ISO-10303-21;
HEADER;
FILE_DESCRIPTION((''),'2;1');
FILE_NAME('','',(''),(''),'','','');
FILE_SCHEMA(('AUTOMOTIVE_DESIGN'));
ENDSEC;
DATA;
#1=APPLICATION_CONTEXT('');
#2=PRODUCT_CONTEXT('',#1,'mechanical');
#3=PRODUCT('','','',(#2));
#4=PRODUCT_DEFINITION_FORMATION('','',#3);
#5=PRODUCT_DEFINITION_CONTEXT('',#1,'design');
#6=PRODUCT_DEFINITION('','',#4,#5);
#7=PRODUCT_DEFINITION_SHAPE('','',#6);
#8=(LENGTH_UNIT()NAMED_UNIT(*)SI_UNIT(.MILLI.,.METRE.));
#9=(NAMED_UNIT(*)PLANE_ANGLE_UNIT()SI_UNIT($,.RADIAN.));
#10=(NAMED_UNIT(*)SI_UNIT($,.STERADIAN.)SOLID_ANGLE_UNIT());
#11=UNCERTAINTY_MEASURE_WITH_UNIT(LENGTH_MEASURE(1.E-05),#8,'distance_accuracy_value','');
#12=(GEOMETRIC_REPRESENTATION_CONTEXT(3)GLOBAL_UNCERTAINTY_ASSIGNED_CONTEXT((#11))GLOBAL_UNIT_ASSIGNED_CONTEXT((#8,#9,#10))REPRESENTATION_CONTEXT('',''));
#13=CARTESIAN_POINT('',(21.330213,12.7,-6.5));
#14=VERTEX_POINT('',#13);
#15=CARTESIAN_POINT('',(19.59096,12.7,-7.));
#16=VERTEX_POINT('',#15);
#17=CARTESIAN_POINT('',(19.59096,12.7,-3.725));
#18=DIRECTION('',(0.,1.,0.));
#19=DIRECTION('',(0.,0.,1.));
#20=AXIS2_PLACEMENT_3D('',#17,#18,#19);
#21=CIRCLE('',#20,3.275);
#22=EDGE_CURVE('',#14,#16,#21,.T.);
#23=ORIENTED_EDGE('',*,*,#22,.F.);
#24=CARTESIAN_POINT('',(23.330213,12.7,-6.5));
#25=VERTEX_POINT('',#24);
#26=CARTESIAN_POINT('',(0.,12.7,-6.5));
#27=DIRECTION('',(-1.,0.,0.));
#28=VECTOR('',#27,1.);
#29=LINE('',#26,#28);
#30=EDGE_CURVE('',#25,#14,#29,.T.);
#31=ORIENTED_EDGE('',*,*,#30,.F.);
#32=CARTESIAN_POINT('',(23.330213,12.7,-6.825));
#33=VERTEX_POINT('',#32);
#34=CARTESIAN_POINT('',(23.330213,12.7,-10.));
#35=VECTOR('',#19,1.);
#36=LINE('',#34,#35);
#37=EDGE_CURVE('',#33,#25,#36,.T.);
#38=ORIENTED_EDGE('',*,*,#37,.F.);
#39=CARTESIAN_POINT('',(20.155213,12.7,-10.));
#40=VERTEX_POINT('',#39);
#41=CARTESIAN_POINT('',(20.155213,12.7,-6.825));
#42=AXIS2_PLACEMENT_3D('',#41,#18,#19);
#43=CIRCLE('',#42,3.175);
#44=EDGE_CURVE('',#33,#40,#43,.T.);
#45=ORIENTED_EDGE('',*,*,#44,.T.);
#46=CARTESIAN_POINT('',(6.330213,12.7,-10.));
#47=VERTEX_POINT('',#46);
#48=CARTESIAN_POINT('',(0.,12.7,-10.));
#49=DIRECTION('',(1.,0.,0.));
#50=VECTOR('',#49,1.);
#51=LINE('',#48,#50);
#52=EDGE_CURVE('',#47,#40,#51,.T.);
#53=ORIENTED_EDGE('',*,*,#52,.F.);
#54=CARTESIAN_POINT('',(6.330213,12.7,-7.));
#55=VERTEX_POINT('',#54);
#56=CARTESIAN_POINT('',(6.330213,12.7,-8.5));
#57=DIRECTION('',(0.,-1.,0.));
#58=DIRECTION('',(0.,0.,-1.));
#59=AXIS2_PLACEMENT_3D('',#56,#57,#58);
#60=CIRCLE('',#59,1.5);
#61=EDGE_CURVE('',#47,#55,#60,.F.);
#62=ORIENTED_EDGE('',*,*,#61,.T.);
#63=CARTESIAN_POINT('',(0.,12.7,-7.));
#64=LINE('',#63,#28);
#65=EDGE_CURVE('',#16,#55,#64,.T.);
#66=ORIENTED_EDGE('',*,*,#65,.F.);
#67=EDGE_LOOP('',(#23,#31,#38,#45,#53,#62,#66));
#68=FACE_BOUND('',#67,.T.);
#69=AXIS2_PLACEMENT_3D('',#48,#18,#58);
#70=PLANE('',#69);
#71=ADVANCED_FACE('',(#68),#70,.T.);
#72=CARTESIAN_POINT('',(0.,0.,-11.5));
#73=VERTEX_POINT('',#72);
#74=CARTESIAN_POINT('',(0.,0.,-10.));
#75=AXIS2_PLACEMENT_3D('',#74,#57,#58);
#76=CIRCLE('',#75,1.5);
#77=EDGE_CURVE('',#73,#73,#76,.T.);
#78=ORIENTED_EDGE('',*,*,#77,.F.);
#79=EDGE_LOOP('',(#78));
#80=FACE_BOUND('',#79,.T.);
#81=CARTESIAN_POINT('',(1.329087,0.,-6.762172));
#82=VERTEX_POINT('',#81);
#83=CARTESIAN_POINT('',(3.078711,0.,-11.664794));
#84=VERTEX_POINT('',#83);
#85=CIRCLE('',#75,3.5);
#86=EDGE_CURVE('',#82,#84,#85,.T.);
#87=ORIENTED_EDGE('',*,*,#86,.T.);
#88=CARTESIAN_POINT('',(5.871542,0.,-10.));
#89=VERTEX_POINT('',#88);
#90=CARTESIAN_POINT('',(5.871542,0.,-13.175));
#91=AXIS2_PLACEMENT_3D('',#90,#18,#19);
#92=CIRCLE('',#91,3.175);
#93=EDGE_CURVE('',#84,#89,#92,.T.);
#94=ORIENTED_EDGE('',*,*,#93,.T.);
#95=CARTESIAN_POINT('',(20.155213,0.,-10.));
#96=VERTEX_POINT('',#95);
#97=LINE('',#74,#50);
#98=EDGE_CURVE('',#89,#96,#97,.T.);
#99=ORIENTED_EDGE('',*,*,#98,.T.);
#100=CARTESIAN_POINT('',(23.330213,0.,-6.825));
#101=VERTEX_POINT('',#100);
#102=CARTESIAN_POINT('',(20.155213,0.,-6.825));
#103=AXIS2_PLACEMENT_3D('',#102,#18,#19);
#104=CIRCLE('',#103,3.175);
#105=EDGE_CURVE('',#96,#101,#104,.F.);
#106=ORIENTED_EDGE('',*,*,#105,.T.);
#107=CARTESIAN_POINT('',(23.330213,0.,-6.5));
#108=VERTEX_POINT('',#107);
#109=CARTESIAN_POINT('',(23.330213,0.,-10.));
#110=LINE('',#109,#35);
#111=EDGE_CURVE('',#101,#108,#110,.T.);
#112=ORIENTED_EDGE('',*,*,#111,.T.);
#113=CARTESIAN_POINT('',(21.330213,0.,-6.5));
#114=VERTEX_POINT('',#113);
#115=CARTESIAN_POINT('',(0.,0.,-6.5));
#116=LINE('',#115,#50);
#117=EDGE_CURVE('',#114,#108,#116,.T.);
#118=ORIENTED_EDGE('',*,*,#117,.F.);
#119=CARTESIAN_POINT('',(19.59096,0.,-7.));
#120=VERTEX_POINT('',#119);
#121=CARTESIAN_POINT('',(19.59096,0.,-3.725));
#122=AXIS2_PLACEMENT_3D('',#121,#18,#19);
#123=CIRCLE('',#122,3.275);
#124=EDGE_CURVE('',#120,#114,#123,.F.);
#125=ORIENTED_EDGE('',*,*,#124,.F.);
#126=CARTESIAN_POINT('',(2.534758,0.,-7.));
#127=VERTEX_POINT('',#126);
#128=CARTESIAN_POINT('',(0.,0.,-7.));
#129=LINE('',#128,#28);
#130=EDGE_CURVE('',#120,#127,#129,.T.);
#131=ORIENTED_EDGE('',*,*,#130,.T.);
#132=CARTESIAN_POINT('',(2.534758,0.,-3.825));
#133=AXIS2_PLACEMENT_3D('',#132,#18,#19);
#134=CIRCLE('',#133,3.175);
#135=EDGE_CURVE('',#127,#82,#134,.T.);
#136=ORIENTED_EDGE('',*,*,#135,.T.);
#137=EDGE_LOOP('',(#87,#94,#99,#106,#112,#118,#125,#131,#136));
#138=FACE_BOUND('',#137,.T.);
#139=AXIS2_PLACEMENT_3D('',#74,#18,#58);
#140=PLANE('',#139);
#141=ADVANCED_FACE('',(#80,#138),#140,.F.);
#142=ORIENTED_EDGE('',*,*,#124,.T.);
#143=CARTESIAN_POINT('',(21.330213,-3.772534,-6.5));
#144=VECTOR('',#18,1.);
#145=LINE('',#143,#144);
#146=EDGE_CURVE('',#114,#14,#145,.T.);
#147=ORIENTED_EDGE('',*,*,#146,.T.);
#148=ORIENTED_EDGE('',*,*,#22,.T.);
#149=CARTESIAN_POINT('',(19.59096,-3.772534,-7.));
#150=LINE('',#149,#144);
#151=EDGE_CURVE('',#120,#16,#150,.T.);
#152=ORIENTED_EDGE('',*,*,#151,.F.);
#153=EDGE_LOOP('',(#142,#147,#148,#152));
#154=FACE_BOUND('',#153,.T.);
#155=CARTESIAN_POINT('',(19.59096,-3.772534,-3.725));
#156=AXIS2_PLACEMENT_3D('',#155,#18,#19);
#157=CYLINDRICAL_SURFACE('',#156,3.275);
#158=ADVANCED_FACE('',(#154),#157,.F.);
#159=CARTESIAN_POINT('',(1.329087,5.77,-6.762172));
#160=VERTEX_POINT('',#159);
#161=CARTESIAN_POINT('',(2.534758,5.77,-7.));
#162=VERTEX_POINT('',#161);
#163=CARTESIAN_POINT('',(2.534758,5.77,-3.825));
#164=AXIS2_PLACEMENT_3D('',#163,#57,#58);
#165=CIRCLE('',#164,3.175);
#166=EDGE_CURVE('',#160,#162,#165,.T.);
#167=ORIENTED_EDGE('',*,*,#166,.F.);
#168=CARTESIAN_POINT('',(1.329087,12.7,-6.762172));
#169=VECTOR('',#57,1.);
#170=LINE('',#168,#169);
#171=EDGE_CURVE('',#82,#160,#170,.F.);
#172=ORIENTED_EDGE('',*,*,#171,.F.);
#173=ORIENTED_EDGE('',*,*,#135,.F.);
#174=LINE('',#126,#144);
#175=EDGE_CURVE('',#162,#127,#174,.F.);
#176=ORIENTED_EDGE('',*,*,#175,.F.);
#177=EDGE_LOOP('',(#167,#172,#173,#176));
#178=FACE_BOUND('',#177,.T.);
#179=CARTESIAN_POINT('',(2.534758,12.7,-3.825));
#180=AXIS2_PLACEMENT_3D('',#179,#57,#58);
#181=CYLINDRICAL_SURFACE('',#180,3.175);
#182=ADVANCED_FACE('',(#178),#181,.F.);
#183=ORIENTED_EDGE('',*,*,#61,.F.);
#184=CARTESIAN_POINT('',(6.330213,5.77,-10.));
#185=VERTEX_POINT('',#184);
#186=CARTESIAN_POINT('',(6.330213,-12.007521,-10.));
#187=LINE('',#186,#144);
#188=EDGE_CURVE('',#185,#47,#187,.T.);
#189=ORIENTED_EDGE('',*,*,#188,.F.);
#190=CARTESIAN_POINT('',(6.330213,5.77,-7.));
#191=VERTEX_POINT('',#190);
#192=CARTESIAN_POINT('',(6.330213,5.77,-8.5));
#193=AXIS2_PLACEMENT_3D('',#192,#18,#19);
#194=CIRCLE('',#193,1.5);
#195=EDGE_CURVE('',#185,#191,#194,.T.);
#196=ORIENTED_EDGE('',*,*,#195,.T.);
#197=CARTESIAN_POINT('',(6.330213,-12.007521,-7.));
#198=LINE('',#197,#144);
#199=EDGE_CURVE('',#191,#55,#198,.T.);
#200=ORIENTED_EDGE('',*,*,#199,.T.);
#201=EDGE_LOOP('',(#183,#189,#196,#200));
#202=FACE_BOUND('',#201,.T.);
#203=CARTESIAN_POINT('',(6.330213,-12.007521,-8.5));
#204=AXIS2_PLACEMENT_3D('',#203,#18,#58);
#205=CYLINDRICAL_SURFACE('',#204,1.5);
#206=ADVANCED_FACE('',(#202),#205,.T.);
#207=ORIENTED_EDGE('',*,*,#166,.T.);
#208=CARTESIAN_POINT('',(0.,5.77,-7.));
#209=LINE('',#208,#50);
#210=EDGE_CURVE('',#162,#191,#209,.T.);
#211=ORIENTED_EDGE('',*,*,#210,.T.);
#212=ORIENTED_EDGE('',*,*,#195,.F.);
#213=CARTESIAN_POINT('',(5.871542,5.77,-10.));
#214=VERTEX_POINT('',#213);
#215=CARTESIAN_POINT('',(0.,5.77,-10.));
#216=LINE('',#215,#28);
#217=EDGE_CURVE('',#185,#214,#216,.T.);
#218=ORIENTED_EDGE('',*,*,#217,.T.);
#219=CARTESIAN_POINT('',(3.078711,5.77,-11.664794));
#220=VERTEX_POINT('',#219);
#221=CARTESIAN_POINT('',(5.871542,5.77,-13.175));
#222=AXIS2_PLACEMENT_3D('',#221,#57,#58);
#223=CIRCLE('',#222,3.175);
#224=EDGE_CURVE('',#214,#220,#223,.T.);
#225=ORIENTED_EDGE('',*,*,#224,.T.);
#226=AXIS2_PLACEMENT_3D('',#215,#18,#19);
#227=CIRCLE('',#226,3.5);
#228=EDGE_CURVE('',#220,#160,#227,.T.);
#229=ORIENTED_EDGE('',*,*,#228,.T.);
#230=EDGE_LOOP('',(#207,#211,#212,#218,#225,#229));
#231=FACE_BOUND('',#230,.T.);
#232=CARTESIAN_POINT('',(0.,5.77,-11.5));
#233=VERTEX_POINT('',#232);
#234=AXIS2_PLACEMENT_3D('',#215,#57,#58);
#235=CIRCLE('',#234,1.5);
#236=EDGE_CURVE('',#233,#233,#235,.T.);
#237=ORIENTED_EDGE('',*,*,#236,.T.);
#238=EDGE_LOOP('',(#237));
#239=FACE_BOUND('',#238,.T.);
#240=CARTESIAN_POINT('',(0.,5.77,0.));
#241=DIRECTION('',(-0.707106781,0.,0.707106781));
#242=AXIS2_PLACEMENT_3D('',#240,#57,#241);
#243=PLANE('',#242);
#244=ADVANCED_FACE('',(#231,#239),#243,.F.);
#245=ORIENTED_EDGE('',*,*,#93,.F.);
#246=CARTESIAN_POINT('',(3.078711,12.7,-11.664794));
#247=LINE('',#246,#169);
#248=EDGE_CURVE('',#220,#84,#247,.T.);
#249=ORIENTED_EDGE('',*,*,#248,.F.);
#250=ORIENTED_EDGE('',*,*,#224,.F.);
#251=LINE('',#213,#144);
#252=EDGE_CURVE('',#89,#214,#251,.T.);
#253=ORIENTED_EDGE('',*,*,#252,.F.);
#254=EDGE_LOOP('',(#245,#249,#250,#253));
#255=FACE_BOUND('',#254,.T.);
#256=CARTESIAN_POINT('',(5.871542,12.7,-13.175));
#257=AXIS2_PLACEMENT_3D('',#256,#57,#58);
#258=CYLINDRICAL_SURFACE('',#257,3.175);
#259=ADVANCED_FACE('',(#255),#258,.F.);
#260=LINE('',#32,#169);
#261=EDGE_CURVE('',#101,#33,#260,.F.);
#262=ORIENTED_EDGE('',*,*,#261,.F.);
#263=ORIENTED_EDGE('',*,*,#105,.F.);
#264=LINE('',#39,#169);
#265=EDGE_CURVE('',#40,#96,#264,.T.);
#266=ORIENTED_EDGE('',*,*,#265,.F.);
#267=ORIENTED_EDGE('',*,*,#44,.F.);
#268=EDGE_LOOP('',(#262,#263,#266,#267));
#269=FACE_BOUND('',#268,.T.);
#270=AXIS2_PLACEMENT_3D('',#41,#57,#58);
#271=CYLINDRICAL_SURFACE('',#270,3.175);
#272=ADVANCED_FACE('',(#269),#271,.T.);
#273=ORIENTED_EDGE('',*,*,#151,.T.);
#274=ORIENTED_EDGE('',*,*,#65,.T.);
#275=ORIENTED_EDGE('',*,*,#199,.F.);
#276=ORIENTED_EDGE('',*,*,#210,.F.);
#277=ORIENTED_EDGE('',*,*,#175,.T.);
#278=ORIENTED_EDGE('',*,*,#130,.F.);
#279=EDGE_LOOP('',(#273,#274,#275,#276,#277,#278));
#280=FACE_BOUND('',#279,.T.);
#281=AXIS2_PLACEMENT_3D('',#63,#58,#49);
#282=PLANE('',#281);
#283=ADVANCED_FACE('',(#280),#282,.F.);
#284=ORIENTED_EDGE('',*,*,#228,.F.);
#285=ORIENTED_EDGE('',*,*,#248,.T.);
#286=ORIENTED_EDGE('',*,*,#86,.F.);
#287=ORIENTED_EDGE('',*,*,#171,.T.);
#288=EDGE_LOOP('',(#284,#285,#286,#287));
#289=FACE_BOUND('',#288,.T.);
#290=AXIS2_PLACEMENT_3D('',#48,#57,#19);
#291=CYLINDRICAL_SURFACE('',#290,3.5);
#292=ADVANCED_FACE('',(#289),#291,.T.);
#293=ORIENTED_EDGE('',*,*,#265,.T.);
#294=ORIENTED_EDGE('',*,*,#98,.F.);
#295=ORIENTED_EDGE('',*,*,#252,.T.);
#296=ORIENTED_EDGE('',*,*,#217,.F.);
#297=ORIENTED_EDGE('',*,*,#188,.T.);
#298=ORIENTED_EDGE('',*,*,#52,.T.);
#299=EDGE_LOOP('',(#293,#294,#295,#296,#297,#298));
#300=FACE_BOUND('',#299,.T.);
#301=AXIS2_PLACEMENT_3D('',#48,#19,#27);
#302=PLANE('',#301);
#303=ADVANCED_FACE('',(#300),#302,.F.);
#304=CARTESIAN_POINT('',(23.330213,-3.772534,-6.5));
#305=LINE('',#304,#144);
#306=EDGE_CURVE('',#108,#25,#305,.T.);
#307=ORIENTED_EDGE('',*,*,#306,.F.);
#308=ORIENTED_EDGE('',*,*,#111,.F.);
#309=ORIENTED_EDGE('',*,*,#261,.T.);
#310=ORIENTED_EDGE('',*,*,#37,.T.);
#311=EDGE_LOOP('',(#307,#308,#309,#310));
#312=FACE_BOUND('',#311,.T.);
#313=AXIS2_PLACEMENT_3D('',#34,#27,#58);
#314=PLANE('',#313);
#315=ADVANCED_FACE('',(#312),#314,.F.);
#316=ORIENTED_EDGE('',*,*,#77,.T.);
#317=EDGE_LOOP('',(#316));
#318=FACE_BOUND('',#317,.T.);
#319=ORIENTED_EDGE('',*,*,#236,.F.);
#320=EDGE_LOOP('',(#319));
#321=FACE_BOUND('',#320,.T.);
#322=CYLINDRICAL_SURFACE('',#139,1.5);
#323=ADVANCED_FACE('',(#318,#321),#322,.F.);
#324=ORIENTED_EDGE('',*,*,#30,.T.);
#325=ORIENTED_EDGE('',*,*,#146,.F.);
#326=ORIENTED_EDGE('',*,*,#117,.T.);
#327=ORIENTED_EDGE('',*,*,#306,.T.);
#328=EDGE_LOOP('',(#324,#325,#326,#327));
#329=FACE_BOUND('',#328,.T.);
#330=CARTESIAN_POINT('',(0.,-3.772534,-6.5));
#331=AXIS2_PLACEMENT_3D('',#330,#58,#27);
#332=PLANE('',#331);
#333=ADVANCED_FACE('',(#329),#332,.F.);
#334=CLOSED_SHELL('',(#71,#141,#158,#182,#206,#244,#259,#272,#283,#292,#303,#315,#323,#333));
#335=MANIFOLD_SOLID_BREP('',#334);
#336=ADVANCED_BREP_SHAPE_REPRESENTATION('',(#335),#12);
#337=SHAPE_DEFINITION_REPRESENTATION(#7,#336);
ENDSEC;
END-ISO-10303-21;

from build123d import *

# Parameters (mm, degrees)
SKETCH1_R           = 3.5
BOSS_EXTRUDE1_DEPTH = 12.7
CUT_EXTRUDE1_DEPTH  = 6.93
SKETCH3_R           = 1.5
CUT_EXTRUDE2_DEPTH  = 6.77
SKETCH4_R           = 2
CUT_EXTRUDE3_DEPTH  = 10
SKETCH5_W           = 2
SKETCH5_H           = 0.5
BOSS_EXTRUDE2_DEPTH = 12.7
FILLET1_R           = 3.175
SKETCH6_R           = 1.585
CUT_EXTRUDE4_DEPTH  = 1.5


with BuildPart() as part:
    # Sketch1 → Boss-Extrude1 (new body)
    with BuildSketch(Plane(origin=(0, 0, 0), x_dir=(1, 0, 0), z_dir=(0, 1, 0))):
        Circle(SKETCH1_R)
        with BuildLine():
            ThreePointArc((1.802775638, 3), (3.046285831, 1.723410176), (3.5, 0))
            Line((3.5, 0), (23.330212793, 0))
            Line((23.330212793, 0), (23.330212793, 3))
            Line((23.330212793, 3), (1.802775638, 3))
        make_face()
    extrude(amount=BOSS_EXTRUDE1_DEPTH)

    # Sketch2 → Cut-Extrude1 (cut)
    with BuildSketch(Plane(origin=(0, 12.7, 0), x_dir=(1, 0, 0), z_dir=(0, 1, 0))):
        with BuildLine():
            ThreePointArc((6.330212793, 3), (-6.149926342, 1.5), (6.330212793, 0))
            Line((6.330212793, 0), (3.5, 0))
            ThreePointArc((3.5, 0), (-3.046285831, -1.723410176), (1.802775638, 3))
            Line((1.802775638, 3), (6.330212793, 3))
        make_face()
        with BuildLine():
            Line((3.5, 0), (6.330212793, 0))
            ThreePointArc((6.330212793, 0), (4.830212793, 1.5), (6.330212793, 3))
            Line((6.330212793, 3), (1.802775638, 3))
            ThreePointArc((1.802775638, 3), (-3.046285831, -1.723410176), (3.5, 0))
        make_face()
    extrude(amount=-CUT_EXTRUDE1_DEPTH, mode=Mode.SUBTRACT)

    # Sketch3 → Cut-Extrude2 (cut, through all)
    with BuildSketch(Plane(origin=(0, 5.77, 0), x_dir=(1, 0, 0), z_dir=(0, 1, 0))):
        with Locations(Location((0, 0, 0), (0, 0, 270))):  # turned: the seam where the file's is
            Circle(SKETCH3_R)
    extrude(amount=-CUT_EXTRUDE2_DEPTH, mode=Mode.SUBTRACT)


with BuildPart() as body_2:
    # Mirror1: mirrored copy
    add(part.part.mirror(Plane.XY.offset(-5)))

    # Sketch4 → Cut-Extrude3 (cut)
    with BuildSketch(Plane.XY.offset(-7)):
        with Locations((59.285262001, -42.831378851)):
            Circle(SKETCH4_R)
        with Locations((59.285262001, -47.531378851)):
            Circle(SKETCH4_R)
    extrude(amount=-CUT_EXTRUDE3_DEPTH, mode=Mode.SUBTRACT)

    # Sketch5 → Boss-Extrude2 (add)
    with BuildSketch(Plane(origin=(0, 12.7, 0), x_dir=(1, 0, 0), z_dir=(0, 1, 0))):
        with BuildLine():
            Line((21.330212793, 6.5), (21.330212793, 7))
            Line((21.330212793, 7), (19.59096008, 7))
            ThreePointArc((19.59096008, 7), (20.495808134, 6.872518864), (21.330212793, 6.5))
        make_face()
        with Locations((22.330212793, 6.75)):
            Rectangle(SKETCH5_W, SKETCH5_H)
    extrude(amount=-BOSS_EXTRUDE2_DEPTH)

    # Fillet1
    fillet1_edges = [body_2.edges().sort_by_distance(p)[0] for p in [
        (1.802775638, 2.885, -7),
        (3.5, 2.885, -10),
        (23.330212793, 6.35, -10),
    ]]
    fillet(fillet1_edges, radius=FILLET1_R)

    # Sketch6 → Cut-Extrude4 (cut)
    with BuildSketch(Plane.XY.offset(-7)):
        with Locations((66.743933259, -45.181378851)):
            Circle(SKETCH6_R)
    extrude(amount=-CUT_EXTRUDE4_DEPTH, mode=Mode.SUBTRACT)


solid = body_2.part
